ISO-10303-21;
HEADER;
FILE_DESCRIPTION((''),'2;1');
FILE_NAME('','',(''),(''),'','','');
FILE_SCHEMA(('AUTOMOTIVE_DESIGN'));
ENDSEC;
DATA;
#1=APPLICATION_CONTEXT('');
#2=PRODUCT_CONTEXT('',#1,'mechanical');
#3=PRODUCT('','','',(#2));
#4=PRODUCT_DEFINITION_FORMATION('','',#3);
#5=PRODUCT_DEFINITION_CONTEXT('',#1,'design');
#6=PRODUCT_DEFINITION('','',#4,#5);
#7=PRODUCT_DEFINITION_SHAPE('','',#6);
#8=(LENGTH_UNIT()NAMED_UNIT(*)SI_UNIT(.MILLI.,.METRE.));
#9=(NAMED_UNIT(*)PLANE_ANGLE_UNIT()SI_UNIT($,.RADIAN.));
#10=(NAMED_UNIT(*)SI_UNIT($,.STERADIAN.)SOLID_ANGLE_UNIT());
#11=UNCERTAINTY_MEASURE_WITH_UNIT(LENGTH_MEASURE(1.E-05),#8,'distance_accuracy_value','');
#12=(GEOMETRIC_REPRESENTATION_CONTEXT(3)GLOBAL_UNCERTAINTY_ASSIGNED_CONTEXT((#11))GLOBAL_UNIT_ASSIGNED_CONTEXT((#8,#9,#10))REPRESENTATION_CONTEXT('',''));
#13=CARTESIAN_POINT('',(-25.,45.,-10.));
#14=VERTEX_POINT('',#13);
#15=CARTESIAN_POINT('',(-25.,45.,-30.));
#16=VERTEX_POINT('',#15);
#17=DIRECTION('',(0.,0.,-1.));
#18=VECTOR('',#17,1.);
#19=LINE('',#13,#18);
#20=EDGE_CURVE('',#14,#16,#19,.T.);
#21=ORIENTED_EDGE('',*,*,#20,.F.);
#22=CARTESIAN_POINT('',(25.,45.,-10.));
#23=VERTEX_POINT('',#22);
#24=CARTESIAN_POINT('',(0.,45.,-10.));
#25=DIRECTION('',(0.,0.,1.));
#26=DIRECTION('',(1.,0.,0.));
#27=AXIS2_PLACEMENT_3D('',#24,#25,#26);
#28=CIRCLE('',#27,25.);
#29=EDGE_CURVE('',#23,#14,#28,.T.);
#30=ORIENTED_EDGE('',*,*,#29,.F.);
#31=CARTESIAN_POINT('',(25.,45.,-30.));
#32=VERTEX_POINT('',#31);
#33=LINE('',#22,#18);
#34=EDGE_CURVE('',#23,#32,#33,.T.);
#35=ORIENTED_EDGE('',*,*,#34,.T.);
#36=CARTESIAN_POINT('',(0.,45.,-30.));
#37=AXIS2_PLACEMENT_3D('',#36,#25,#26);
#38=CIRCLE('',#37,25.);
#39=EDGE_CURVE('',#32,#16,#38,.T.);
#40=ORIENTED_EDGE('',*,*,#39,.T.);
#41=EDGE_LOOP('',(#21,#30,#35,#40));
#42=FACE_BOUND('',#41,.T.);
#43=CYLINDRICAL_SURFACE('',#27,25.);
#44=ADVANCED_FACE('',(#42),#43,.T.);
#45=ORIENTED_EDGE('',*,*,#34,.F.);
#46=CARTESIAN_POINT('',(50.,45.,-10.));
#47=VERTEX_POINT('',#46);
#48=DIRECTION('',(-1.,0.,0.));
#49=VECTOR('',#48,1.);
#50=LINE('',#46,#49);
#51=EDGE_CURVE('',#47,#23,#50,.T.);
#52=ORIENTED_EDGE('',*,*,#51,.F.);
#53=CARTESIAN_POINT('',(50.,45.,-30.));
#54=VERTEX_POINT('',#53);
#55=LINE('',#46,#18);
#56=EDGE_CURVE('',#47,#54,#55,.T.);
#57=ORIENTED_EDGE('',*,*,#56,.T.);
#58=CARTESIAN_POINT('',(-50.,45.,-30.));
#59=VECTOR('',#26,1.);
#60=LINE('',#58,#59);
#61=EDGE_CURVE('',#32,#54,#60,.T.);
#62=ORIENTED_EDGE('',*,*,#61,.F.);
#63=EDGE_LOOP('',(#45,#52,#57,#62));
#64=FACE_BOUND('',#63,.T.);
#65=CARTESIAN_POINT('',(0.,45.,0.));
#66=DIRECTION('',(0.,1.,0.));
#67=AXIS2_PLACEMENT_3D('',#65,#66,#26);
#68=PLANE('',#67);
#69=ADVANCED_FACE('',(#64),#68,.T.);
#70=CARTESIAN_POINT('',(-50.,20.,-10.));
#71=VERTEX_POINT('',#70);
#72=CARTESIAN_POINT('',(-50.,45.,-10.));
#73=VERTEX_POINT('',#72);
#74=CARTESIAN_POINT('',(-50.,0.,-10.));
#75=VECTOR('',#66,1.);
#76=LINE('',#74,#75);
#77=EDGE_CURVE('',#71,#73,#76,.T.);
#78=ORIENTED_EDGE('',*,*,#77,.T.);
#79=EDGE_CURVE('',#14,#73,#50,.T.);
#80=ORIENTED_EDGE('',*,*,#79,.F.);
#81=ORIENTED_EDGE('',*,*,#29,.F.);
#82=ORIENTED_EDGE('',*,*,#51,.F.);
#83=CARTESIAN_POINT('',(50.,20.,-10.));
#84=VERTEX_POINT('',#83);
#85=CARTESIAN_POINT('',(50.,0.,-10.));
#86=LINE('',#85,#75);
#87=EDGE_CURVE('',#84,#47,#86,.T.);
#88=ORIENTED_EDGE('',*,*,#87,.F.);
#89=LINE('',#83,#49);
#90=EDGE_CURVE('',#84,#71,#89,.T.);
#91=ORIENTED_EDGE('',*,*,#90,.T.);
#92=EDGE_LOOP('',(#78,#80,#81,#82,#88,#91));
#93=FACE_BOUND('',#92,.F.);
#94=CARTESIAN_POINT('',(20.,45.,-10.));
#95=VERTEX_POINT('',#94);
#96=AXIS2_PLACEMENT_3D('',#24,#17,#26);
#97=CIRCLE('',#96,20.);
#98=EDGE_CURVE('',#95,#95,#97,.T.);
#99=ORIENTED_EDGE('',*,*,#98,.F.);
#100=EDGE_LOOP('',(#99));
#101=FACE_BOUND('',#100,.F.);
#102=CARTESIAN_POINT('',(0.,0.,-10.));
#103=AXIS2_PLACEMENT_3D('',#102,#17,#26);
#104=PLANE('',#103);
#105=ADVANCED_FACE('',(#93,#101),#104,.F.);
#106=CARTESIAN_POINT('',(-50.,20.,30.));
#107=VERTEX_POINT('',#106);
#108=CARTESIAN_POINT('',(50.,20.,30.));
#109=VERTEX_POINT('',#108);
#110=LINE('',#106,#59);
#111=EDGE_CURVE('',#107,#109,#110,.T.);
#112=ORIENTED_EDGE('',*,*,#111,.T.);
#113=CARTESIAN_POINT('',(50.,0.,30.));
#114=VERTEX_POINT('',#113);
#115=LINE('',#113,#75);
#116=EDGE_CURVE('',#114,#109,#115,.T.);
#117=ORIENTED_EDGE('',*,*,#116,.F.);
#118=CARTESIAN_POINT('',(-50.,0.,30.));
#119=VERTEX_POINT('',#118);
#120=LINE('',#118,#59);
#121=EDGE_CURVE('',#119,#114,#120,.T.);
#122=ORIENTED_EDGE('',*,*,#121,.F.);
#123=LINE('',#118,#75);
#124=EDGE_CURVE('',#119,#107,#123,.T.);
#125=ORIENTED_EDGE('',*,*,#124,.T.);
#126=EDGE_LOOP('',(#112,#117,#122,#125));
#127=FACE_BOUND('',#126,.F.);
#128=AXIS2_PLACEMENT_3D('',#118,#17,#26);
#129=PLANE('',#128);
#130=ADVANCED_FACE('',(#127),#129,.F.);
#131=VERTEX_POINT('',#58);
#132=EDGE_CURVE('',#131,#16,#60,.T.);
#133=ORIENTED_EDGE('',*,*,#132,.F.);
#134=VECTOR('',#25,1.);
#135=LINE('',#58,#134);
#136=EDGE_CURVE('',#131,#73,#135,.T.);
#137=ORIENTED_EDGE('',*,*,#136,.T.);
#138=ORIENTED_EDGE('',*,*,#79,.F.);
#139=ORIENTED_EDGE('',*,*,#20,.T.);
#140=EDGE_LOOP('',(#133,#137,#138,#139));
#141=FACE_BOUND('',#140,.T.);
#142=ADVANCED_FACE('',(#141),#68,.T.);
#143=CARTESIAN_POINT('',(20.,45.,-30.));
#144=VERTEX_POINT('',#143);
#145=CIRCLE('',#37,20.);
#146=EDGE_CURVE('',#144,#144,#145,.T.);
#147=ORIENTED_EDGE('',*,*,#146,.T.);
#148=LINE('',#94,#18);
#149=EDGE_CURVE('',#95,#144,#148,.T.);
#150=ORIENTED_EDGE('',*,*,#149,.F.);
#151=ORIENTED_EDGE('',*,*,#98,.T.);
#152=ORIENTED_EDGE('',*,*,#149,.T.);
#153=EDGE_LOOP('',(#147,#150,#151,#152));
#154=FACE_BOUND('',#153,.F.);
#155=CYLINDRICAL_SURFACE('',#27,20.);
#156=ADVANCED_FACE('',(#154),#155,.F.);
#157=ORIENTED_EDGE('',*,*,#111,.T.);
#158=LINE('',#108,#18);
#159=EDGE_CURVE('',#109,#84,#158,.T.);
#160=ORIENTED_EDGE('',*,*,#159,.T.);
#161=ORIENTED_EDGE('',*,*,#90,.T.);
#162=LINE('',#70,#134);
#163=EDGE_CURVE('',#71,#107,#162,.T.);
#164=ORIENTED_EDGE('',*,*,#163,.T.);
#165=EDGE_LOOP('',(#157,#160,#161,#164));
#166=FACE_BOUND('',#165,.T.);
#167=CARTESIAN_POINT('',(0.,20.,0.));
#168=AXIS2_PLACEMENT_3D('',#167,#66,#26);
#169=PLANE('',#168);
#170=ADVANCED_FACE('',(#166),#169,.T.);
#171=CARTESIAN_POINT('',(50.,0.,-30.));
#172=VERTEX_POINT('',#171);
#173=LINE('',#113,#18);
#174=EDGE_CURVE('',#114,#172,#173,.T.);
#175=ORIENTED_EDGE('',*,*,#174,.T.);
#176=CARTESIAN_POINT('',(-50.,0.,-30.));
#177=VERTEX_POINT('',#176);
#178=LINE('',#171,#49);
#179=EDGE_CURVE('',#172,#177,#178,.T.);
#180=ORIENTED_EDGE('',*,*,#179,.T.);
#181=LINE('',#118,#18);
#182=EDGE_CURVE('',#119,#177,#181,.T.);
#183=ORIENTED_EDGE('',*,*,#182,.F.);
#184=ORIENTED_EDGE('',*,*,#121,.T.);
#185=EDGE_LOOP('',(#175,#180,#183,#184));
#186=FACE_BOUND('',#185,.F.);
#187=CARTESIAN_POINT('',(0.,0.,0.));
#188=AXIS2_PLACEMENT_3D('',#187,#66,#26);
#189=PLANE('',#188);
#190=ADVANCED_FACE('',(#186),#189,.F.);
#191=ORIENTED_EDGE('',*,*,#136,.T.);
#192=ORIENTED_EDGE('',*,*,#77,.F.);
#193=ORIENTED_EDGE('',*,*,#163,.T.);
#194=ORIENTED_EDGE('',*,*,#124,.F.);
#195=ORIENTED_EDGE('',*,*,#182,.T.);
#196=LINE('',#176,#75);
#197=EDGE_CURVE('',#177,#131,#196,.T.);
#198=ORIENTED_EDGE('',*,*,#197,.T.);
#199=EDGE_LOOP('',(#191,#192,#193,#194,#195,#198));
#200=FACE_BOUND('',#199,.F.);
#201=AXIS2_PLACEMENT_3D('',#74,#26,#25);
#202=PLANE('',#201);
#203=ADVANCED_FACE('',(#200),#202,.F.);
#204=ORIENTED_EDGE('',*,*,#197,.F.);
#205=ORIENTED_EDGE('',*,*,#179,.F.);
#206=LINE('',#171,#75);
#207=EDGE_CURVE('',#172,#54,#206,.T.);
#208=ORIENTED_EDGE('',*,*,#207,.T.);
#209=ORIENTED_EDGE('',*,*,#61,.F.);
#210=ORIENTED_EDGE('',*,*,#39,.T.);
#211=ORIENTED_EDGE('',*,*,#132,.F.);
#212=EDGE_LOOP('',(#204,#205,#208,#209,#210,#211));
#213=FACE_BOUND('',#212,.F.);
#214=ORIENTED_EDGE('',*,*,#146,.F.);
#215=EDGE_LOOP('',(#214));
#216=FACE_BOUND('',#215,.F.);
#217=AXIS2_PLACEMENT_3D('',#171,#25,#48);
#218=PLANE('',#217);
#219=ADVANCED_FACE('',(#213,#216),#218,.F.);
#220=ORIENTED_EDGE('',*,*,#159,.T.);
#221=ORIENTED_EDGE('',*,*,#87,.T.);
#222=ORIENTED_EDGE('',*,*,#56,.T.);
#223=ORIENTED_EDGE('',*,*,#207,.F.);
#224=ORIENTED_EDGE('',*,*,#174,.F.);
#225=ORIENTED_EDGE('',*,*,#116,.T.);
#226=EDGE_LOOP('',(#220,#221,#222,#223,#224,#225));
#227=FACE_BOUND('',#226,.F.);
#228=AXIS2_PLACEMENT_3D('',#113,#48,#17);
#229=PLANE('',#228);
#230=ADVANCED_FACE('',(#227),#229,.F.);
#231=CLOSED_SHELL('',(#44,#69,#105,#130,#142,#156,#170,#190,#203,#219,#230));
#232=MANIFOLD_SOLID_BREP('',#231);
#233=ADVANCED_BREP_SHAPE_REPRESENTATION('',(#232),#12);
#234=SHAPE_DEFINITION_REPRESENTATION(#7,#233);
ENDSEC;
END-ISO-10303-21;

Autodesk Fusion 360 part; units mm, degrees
sketch "Sketch1" plane through (0, 0, 0) normal (0, 1, 0) x (1, 0, 0)
  line L0 (50, 30) -> (25, 30)
  line L1 (-50, 10) -> (-50, -30)
  line L2 (-50, -30) -> (50, -30)
  line L3 (50, -30) -> (50, 10)
  line L4 (50, 30) -> (-50, -30) construction
  line L5 (-50, 30) -> (50, -30) construction
  line L6 (-50, 30) -> (-50, 10)
  line L7 (-50, 10) -> (50, 10)
  line L8 (50, 10) -> (50, 30)
  line L9 (-50, 30) -> (0, 30)
  arc A0 (25, 30) -> (-25, 30) centre (0, 30) ccw
  line L10 (0, 30) -> (25, 30)
  circle A1 centre (0, 30) radius 20
  dimension "d1" = 100
  dimension "d2" = 60
  dimension "d3" = 20
  dimension "d4" = 50
  dimension "d5" = 40
extrude "Extrude1" add sketch "Sketch1" along normal blind 20 contours L1 L2 L3 L7
extrude "Extrude2" add sketch "Sketch1" along normal blind 45 contours L0 L7 L8 L10 A1 | L6 L7 L9 A1 | L9 L10 A1 picked at (-13.2655, 29.0512)
sketch "Sketch2" plane through (0, 0, -10) normal (0, 0, 1) x (1, 0, 0)
  line L0 (-50, 20) -> (50, 20)
  line L1 (50, 20) -> (50, 45)
  line L2 (50, 45) -> (-50, 45)
  line L3 (-50, 45) -> (-50, 20)
  line L4 (-50, 45) -> (0, 45)
  circle A0 centre (0, 45) radius 20
  arc A1 (25, 45) -> (-25, 45) centre (0, 45) ccw
  dimension "d10" = 50
  dimension "d11" = 40
extrude "Extrude3" add sketch "Sketch2" against normal blind 20 contours L2 L4 A0 A1
extrude "Extrude4" cut sketch "Sketch2" against normal blind 20 contours L2 L4 A0 picked at (13.2589, 44.0064)
